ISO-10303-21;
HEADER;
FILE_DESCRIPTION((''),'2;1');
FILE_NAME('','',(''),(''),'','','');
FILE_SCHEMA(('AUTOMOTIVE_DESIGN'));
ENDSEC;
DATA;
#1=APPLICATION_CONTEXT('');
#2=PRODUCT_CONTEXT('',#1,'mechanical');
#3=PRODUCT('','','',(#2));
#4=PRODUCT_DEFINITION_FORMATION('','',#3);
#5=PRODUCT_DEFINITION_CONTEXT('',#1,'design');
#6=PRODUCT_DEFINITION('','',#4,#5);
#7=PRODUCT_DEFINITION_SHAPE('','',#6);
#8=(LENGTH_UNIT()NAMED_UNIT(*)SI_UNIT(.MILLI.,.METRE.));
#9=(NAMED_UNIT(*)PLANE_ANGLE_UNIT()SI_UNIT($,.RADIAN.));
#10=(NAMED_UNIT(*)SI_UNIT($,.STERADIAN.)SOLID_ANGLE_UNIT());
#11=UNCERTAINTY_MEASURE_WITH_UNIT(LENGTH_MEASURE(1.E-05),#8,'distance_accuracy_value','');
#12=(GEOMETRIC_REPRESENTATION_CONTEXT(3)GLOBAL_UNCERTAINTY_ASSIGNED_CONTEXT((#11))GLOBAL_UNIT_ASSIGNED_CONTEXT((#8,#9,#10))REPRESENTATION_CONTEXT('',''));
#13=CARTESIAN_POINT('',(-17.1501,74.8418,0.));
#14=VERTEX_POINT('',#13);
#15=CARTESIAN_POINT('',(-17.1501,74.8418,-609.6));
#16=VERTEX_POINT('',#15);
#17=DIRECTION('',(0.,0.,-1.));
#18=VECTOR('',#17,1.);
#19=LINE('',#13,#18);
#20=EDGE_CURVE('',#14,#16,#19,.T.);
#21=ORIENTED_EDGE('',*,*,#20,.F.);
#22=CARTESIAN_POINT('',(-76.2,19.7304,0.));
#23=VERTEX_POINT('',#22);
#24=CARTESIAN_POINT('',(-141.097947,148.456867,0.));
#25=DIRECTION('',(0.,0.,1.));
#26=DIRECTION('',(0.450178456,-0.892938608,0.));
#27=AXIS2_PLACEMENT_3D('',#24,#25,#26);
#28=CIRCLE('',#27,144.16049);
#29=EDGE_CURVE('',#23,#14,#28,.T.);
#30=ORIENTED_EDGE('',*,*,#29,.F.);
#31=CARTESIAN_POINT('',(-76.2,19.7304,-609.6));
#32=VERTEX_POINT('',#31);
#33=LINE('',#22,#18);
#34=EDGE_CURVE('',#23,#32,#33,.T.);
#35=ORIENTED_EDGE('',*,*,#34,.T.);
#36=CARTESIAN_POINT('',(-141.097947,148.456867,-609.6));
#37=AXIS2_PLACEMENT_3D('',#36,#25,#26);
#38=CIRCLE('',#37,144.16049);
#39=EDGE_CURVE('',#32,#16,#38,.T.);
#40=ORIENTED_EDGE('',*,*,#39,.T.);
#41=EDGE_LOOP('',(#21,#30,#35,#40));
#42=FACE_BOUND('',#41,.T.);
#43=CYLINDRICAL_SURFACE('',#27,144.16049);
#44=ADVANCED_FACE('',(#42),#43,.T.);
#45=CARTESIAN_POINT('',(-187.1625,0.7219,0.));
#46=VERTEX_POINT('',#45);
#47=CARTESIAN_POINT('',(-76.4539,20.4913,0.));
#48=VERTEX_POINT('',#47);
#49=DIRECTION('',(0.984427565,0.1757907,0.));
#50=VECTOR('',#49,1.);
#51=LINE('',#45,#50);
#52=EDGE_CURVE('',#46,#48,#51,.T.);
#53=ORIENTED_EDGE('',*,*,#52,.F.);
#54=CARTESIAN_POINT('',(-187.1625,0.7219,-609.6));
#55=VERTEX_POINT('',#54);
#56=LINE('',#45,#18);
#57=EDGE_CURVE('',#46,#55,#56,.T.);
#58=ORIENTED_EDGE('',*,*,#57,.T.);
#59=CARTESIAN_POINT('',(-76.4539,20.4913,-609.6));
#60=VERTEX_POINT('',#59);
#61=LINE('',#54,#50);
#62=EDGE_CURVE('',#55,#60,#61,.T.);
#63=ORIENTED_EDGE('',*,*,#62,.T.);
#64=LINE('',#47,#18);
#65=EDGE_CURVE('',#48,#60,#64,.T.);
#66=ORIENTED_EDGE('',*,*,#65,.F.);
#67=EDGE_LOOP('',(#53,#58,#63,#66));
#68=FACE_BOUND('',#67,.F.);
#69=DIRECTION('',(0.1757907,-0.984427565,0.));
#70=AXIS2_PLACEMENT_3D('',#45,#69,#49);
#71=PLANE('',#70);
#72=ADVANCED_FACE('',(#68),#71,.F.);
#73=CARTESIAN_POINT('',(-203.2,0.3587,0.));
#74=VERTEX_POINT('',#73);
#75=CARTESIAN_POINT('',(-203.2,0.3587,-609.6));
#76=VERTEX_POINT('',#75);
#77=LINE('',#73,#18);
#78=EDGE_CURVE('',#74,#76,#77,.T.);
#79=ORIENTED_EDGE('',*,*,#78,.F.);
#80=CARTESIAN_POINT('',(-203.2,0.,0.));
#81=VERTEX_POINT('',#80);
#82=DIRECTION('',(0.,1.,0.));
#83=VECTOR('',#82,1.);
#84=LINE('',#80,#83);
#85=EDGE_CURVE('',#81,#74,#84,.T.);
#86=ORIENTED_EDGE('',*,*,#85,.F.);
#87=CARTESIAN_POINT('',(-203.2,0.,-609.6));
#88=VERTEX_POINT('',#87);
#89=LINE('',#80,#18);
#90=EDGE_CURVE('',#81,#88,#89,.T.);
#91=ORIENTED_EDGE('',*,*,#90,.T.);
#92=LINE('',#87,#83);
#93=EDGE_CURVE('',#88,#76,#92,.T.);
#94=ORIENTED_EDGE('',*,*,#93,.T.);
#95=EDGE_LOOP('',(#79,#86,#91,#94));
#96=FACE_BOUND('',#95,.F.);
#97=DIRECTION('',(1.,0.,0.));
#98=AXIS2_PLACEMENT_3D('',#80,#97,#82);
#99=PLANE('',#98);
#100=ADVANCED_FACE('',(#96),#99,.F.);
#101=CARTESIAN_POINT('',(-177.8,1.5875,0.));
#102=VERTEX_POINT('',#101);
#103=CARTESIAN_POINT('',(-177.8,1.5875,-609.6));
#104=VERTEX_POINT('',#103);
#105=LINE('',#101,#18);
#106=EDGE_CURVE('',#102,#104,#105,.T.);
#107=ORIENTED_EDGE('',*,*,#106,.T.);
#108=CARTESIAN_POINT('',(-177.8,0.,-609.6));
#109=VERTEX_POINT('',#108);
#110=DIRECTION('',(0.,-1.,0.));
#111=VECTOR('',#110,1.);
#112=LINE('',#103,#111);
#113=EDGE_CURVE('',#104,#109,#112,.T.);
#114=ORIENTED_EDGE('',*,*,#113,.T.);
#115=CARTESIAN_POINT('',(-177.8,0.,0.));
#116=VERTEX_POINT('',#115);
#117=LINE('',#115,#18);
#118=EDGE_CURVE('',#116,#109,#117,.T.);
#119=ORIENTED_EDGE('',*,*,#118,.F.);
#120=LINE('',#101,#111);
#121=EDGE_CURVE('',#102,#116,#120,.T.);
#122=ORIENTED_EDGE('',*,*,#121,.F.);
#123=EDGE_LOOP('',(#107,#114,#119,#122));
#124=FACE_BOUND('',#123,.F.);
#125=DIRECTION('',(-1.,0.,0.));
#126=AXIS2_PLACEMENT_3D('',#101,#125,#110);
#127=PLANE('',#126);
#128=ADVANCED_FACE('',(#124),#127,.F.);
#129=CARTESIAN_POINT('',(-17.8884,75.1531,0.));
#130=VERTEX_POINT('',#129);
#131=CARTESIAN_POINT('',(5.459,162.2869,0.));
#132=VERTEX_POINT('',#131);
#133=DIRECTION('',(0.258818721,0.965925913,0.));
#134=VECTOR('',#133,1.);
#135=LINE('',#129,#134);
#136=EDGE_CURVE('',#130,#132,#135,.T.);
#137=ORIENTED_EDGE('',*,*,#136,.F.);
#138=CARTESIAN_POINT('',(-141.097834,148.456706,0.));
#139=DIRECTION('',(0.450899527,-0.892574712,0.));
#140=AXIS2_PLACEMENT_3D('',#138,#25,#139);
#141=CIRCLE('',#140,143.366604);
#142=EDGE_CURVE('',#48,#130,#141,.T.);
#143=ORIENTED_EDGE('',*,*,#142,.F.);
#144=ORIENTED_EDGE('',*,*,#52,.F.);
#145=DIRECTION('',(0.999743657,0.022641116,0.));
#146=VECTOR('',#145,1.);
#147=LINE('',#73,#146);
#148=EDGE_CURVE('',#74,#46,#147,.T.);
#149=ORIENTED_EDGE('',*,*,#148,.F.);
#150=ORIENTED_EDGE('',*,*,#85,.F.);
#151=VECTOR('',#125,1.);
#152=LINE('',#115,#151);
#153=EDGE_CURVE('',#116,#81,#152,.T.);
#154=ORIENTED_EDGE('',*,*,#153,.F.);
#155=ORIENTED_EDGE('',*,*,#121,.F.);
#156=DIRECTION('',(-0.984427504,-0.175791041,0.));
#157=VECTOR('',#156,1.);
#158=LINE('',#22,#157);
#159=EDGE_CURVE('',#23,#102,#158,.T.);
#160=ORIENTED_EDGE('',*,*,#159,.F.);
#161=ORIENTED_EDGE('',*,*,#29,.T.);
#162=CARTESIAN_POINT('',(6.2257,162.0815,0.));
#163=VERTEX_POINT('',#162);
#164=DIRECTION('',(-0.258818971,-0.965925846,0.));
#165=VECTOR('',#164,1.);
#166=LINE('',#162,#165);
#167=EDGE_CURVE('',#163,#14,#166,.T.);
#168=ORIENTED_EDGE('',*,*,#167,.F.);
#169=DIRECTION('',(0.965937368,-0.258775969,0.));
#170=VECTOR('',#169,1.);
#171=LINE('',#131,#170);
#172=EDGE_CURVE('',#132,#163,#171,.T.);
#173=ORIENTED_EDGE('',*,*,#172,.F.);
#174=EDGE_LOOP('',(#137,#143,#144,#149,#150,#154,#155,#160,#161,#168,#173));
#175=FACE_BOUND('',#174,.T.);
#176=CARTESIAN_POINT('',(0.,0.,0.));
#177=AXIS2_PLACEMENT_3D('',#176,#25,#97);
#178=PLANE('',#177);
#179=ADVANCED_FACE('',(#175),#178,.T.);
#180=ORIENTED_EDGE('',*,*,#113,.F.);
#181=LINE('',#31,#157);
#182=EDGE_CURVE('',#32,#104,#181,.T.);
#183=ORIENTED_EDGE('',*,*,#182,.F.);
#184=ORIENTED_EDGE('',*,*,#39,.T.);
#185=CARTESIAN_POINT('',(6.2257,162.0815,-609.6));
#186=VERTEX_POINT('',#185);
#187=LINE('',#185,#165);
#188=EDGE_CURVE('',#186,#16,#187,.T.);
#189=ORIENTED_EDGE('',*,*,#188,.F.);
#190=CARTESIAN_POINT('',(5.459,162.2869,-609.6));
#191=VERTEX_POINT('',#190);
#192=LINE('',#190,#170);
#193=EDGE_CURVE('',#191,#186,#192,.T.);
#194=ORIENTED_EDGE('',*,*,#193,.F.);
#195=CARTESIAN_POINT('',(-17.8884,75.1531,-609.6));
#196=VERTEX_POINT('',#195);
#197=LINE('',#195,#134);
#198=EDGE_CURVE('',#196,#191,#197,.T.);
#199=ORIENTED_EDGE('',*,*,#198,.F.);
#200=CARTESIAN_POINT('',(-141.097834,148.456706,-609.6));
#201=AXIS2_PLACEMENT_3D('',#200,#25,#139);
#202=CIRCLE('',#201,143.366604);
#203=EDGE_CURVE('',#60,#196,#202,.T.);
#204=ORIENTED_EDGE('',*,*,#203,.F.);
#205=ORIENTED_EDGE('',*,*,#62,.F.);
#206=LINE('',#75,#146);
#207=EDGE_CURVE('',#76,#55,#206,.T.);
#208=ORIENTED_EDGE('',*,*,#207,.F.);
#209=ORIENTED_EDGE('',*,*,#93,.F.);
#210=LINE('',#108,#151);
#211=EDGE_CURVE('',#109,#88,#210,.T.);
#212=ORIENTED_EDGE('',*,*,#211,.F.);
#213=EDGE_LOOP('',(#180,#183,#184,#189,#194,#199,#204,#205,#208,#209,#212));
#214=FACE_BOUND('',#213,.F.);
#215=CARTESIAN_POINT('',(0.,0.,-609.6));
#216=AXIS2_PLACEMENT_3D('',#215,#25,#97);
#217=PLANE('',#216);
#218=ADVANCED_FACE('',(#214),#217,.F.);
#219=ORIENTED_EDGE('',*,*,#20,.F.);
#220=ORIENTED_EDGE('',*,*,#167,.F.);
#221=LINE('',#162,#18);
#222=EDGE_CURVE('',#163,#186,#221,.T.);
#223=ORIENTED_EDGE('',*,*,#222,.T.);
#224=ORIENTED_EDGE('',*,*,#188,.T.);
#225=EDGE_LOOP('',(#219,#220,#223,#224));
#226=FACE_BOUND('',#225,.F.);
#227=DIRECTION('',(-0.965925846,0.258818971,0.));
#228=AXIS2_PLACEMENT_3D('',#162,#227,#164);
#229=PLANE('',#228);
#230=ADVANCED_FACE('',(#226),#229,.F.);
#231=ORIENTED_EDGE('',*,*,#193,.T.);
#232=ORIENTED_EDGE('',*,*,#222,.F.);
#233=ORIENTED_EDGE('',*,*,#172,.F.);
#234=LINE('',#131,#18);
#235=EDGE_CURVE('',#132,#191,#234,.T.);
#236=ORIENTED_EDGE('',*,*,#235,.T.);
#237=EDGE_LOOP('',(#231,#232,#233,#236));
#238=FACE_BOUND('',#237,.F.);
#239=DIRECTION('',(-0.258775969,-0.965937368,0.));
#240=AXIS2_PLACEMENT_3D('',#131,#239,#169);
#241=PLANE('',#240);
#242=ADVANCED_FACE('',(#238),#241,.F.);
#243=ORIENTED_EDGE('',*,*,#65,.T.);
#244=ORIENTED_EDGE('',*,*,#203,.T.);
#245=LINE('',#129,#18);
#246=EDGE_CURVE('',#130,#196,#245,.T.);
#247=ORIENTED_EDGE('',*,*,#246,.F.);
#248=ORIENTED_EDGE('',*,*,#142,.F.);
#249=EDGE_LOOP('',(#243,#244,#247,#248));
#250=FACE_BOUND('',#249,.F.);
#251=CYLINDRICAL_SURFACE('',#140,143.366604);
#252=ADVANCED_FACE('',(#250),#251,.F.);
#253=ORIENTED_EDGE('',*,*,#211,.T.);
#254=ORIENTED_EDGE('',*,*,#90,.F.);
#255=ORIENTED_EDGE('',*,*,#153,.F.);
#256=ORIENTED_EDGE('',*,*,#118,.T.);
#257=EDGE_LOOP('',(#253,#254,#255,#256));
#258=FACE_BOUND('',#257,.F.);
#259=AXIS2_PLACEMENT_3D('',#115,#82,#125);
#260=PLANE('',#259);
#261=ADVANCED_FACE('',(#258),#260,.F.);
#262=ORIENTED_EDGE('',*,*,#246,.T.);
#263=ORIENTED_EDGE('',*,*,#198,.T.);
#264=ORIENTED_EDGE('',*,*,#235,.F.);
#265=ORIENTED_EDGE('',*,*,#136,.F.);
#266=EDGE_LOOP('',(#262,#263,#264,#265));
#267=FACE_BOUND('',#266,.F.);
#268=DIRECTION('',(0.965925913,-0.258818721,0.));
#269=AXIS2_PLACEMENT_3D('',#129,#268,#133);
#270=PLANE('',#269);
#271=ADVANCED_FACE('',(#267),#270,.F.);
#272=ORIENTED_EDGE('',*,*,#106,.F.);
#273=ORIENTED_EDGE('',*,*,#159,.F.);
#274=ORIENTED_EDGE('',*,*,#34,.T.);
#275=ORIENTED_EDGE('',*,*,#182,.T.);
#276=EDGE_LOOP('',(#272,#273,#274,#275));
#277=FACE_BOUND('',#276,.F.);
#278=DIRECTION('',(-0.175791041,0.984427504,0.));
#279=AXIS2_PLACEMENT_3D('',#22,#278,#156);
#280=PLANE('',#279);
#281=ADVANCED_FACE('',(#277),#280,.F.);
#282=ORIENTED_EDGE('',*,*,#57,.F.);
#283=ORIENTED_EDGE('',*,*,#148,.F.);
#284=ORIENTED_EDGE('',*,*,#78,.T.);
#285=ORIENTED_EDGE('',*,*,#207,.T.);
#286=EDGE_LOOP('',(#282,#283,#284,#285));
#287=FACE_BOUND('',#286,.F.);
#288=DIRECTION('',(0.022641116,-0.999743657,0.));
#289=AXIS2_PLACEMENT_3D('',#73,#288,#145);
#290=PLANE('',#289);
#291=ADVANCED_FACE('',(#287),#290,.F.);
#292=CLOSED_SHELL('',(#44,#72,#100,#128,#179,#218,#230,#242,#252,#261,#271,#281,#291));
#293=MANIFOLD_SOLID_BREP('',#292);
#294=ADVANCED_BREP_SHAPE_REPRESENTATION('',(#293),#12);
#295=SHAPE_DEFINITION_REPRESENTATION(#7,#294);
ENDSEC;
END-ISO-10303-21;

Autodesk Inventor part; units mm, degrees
ref_plane "YZ Plane" through (0, 0, 0) normal (1, 0, 0) x (0, 1, 0)
ref_plane "XZ Plane" through (0, 0, 0) normal (0, 1, 0) x (-1, 0, 0)
ref_plane "XY Plane" through (0, 0, 0) normal (0, 0, 1) x (1, 0, 0)
ref_plane "Work Plane1" through (0, 0, 0) normal (0, 0, 1) x (1, 0, 0)
sketch "Sketch1" plane through (0, 0, 0) normal (0, 0, 1) x (1, 0, 0)
  line L0 (-187.1625, 0.7219) -> (-76.4539, 20.4913)
  line L1 (-17.8884, 75.1531) -> (5.459, 162.2869)
  line L2 (5.459, 162.2869) -> (6.2257, 162.0815)
  line L3 (6.2257, 162.0815) -> (-17.1501, 74.8418)
  line L4 (-76.2, 19.7304) -> (-177.8, 1.5875)
  arc A0 (-76.2, 19.7304) -> (-17.1501, 74.8418) centre (-141.0979, 148.4568) ccw
  arc A1 (-76.4539, 20.4913) -> (-17.8884, 75.1531) centre (-141.0979, 148.4568) ccw
  line L5 (-177.8, 1.5875) -> (-177.8, 0)
  line L6 (-177.8, 0) -> (-203.2, 0)
  line L7 (-203.2, 0) -> (-203.2, 0.3587)
  line L8 (-203.2, 0.3587) -> (-187.1625, 0.7219)
  line L9 (0, 0) -> (0, 25.4) construction
  line L10 (0, 25.4) -> (-44.45, 25.4) construction
  line L11 (-44.45, 25.4) -> (-177.8, 1.5875) construction
  line L12 (-177.8, 1.5875) -> (-177.8, 0) construction
  line L13 (-177.8, 0) -> (0, 0) construction
  dimension "d0" = 0.7937
  dimension "d1" = 0.7937
  dimension "d4" = 76.2
  dimension "d8" = 1.5875
  dimension "d9" = 0
  dimension "d11" = 177.8
  dimension "d12" = 25.4
  dimension "d13" = 44.45
  dimension "d14" = 15
  dimension "d15" = 0.7937
  dimension "d16" = 25.4
extrude "Extrusion1" add sketch "Sketch1" against normal blind 609.6
properties part number "Shovel_Scoop" material "Aluminum-6061"
